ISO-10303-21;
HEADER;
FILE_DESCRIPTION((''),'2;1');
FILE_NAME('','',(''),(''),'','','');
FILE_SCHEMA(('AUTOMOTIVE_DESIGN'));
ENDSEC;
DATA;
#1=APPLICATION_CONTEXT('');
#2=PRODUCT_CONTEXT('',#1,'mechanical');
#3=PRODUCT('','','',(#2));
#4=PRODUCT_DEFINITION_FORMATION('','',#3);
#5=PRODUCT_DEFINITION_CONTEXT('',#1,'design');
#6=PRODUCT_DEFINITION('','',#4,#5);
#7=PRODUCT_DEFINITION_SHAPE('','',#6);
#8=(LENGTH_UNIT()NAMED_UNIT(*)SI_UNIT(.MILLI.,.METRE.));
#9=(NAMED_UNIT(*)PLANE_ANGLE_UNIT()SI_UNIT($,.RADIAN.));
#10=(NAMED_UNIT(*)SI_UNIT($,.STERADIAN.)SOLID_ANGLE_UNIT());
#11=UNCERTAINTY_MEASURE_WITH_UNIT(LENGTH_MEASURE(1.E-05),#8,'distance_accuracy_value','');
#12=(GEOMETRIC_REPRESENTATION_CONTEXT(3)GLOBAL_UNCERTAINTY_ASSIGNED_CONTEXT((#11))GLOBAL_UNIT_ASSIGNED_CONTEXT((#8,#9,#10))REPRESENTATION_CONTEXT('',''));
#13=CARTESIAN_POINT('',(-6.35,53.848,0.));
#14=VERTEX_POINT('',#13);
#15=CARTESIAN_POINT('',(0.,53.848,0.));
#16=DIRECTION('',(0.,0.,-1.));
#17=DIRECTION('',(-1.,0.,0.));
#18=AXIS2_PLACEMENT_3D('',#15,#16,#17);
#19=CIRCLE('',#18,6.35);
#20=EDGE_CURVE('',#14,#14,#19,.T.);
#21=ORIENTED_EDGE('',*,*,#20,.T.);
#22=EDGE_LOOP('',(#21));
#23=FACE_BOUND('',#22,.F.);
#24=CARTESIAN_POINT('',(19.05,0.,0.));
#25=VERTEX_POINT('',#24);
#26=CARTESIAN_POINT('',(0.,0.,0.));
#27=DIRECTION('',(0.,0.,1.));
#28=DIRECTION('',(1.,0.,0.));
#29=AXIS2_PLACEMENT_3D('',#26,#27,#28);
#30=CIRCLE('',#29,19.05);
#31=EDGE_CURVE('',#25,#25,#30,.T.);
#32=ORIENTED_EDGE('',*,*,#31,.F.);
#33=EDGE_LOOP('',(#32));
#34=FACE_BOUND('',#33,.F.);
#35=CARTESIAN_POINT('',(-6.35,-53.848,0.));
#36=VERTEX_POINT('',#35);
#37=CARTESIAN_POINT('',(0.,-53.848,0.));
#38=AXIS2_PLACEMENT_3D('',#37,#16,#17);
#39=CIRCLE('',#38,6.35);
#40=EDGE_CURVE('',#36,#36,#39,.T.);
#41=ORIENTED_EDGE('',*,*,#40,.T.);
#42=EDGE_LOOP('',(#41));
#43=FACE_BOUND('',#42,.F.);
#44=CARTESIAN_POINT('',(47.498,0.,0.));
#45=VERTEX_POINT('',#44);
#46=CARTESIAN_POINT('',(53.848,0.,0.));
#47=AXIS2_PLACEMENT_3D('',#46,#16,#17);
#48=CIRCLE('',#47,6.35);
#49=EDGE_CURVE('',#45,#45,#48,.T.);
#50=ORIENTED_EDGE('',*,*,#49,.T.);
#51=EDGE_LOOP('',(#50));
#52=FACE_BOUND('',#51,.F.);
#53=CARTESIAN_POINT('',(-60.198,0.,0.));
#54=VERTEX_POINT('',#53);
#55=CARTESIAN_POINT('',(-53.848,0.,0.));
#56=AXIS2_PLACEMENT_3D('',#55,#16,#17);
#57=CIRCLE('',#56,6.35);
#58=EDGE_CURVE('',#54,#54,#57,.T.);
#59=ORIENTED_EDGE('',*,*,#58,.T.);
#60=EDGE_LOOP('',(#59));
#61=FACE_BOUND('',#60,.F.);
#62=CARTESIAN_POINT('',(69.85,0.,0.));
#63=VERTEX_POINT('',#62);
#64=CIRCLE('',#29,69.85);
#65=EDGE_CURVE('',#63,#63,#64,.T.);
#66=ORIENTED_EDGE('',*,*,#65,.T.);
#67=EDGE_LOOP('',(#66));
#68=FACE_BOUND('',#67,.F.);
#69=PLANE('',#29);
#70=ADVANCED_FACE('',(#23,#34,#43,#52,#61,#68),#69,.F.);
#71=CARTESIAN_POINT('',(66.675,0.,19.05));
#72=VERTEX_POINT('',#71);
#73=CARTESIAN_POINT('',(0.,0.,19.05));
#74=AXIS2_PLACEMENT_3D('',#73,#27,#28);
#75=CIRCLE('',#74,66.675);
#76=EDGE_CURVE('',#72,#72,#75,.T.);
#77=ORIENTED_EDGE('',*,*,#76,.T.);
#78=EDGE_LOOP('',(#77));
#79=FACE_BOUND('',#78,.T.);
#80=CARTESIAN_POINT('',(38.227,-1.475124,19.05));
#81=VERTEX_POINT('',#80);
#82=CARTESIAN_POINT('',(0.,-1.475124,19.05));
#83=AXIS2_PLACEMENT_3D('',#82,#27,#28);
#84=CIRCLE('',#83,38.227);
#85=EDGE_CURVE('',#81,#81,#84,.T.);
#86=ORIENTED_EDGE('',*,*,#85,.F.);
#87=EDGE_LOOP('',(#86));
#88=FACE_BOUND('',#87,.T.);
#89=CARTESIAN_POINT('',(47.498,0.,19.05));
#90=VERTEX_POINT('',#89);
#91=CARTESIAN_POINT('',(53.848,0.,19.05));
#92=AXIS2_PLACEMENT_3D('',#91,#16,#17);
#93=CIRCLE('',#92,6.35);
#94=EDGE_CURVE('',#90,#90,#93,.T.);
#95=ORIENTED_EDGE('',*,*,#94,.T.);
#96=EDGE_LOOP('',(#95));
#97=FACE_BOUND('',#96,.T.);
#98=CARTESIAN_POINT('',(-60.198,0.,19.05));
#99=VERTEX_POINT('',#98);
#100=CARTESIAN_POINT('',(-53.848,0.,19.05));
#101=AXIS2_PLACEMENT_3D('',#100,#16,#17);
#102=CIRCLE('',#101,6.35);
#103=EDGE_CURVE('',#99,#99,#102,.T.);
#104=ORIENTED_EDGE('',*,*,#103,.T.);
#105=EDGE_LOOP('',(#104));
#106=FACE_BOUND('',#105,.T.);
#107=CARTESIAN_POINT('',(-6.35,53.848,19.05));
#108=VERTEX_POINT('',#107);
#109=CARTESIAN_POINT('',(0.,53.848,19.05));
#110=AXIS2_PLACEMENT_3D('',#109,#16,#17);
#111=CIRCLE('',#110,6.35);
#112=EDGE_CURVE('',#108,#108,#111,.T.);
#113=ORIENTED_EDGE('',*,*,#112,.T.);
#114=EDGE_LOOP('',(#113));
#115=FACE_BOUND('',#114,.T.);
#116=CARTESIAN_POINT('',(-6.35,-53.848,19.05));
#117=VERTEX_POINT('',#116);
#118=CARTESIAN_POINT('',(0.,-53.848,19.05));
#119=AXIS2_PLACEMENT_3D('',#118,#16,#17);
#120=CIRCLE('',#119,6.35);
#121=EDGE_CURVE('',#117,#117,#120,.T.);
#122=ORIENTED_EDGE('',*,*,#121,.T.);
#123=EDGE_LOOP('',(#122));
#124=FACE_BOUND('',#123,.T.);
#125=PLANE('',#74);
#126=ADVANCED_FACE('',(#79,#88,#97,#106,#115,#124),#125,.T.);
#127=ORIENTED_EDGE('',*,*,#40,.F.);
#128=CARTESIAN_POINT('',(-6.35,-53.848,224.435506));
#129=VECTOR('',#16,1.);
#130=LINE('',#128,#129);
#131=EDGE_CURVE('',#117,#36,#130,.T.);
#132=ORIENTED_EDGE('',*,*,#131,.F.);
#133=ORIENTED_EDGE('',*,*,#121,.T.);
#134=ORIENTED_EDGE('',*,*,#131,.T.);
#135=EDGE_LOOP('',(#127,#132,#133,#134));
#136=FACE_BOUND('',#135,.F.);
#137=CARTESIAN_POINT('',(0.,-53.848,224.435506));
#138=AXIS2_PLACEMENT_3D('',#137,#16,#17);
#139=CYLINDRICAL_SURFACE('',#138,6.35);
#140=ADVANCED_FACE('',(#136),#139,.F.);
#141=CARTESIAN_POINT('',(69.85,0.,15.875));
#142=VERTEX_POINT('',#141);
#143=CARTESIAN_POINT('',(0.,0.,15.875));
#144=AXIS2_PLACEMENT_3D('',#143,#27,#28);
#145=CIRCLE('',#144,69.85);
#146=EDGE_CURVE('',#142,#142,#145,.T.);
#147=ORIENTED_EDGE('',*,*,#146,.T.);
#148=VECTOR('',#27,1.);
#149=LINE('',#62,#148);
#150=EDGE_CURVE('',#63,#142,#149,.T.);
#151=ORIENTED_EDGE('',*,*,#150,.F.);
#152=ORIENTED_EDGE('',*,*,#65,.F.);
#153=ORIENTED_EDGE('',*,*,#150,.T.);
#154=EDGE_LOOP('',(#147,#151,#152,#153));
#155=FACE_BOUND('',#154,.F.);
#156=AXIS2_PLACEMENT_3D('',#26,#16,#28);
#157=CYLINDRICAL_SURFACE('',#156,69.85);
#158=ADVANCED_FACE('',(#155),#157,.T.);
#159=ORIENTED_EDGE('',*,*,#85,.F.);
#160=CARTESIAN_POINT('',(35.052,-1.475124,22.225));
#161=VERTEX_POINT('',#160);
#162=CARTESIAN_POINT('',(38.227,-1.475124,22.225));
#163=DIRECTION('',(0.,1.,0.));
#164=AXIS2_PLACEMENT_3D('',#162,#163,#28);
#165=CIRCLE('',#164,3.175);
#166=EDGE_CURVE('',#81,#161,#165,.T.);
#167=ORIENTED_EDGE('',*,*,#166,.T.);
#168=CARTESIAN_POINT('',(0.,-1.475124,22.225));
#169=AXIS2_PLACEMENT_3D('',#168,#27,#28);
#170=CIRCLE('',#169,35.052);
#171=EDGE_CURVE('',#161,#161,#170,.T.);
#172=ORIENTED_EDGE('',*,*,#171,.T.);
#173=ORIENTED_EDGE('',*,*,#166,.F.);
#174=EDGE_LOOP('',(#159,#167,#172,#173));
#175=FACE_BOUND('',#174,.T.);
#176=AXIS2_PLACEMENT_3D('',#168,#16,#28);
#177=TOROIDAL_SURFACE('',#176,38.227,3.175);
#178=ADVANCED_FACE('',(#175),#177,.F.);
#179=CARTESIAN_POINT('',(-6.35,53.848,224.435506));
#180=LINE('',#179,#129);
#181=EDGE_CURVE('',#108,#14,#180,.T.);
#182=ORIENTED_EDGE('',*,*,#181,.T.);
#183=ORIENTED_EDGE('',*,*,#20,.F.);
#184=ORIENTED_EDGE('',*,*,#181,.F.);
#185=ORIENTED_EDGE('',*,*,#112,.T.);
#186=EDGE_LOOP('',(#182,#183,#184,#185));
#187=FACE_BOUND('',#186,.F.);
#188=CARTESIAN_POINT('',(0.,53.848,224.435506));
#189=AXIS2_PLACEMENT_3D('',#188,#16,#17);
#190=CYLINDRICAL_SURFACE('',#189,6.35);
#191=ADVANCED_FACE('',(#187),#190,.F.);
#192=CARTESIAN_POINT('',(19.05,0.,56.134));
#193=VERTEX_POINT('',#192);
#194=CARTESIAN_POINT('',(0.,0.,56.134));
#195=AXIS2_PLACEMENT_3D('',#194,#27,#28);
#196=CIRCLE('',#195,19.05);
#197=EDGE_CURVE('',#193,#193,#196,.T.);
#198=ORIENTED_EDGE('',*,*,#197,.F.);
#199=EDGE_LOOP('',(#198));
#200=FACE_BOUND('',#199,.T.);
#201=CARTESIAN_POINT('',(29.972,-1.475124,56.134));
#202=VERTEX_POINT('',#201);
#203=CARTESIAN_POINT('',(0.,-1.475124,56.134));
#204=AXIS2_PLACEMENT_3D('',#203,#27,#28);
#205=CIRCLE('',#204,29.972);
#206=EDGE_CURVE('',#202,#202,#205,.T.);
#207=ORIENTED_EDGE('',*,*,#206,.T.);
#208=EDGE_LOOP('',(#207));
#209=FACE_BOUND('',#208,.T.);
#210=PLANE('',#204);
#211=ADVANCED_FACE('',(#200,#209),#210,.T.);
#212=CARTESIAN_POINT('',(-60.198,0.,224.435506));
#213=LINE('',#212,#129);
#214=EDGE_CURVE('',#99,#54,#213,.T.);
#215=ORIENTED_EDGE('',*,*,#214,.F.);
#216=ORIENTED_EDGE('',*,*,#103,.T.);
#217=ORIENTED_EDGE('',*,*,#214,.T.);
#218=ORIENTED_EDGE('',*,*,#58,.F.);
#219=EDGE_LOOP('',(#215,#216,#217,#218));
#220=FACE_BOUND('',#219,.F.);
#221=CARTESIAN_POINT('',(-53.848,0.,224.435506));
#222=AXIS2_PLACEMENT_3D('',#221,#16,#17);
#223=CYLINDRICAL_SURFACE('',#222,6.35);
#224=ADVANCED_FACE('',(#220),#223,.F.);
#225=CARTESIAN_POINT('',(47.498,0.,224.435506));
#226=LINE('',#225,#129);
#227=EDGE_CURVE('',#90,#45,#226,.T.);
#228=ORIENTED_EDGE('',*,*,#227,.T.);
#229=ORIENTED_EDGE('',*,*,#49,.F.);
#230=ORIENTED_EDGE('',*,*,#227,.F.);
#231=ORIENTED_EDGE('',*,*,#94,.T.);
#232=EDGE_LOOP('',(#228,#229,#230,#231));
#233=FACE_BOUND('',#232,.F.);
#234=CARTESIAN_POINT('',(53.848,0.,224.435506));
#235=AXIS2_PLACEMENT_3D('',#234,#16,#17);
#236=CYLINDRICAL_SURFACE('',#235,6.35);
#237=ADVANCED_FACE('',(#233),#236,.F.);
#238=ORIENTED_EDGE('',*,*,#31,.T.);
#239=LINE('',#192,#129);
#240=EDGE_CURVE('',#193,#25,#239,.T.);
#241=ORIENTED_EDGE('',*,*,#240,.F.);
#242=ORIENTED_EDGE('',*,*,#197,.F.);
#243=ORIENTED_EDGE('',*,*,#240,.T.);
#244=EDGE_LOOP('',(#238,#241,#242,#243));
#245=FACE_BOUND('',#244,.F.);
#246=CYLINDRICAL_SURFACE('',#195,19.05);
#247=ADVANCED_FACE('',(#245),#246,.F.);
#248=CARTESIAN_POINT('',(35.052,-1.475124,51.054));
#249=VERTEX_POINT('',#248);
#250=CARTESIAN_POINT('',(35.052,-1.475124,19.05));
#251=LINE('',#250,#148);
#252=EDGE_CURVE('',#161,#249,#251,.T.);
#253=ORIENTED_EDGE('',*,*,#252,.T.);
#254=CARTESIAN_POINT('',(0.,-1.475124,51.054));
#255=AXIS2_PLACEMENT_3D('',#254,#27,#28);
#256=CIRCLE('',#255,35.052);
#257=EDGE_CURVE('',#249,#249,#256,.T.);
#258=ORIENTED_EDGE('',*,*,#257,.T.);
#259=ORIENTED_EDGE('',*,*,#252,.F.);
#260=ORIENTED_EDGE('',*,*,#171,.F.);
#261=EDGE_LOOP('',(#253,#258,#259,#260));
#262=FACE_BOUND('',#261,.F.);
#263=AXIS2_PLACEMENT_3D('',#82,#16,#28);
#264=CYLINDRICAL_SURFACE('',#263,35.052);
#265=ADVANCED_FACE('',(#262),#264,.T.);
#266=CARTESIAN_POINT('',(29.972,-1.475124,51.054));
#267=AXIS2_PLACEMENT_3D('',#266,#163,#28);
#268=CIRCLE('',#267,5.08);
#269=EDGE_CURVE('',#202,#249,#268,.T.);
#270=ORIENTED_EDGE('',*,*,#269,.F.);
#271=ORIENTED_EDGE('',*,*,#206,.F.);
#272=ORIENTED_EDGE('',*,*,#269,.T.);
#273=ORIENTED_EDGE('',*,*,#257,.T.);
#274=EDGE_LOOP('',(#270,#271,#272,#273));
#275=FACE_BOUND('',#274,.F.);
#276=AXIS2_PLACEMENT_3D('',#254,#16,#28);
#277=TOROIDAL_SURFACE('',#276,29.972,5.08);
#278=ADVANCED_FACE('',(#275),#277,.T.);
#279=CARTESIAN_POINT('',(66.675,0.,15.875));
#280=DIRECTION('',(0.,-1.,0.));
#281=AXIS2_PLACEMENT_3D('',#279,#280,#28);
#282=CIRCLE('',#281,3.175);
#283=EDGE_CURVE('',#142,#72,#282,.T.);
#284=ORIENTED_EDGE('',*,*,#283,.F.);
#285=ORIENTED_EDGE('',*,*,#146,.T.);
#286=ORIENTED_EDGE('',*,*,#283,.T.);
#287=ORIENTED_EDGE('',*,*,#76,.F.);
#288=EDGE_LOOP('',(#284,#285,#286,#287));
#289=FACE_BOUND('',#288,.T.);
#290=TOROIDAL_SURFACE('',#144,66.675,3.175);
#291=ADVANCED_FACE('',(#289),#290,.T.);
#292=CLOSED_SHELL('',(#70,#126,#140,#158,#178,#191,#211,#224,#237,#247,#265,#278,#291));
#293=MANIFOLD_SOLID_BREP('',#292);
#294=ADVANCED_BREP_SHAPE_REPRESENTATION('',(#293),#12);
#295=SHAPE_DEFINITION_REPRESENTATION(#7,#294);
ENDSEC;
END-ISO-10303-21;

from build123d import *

# Parameters (mm, degrees)
F0_R     = 69.85
F1_DEPTH = 19.05
F2_R     = 35.052
F3_DEPTH = 37.084
F4_R     = 19.05
F5_DEPTH = 56.135
F7_D     = 12.7
F8_R     = 3.175
F9_R     = 5.08


with BuildPart() as f1:
    # F0 (on Top) → F1 (new body)
    with BuildSketch(Plane.XY):
        Circle(F0_R)
    extrude(amount=F1_DEPTH)

    # F2 (on face) → F3 (join)
    with BuildSketch(Plane.XY.offset(19.05)):
        with Locations((0, -1.475124)):
            Circle(F2_R)
    extrude(amount=F3_DEPTH)

    # F4 (on face) → F5 (cut, through all)
    with BuildSketch(Plane.XY.offset(56.134)):
        Circle(F4_R)
    extrude(amount=-F5_DEPTH, mode=Mode.SUBTRACT)

    # F7 (through all)
    with Locations(Plane.XY.offset(19.05)):
        with Locations((0, 53.848), (53.848, 0), (0, -53.848), (-53.848, 0)):
            Hole(F7_D / 2)

    # F8
    f8_edges = [f1.edges().sort_by_distance(p)[0] for p in [
        (-69.85, 0, 19.05),
        (-35.052, -1.475124, 19.05),
    ]]
    fillet(f8_edges, radius=F8_R)

    # F9
    f9_edges = [f1.edges().sort_by_distance(p)[0] for p in [
        (-35.052, -1.475124, 56.134),
    ]]
    fillet(f9_edges, radius=F9_R)


solid = f1.part
